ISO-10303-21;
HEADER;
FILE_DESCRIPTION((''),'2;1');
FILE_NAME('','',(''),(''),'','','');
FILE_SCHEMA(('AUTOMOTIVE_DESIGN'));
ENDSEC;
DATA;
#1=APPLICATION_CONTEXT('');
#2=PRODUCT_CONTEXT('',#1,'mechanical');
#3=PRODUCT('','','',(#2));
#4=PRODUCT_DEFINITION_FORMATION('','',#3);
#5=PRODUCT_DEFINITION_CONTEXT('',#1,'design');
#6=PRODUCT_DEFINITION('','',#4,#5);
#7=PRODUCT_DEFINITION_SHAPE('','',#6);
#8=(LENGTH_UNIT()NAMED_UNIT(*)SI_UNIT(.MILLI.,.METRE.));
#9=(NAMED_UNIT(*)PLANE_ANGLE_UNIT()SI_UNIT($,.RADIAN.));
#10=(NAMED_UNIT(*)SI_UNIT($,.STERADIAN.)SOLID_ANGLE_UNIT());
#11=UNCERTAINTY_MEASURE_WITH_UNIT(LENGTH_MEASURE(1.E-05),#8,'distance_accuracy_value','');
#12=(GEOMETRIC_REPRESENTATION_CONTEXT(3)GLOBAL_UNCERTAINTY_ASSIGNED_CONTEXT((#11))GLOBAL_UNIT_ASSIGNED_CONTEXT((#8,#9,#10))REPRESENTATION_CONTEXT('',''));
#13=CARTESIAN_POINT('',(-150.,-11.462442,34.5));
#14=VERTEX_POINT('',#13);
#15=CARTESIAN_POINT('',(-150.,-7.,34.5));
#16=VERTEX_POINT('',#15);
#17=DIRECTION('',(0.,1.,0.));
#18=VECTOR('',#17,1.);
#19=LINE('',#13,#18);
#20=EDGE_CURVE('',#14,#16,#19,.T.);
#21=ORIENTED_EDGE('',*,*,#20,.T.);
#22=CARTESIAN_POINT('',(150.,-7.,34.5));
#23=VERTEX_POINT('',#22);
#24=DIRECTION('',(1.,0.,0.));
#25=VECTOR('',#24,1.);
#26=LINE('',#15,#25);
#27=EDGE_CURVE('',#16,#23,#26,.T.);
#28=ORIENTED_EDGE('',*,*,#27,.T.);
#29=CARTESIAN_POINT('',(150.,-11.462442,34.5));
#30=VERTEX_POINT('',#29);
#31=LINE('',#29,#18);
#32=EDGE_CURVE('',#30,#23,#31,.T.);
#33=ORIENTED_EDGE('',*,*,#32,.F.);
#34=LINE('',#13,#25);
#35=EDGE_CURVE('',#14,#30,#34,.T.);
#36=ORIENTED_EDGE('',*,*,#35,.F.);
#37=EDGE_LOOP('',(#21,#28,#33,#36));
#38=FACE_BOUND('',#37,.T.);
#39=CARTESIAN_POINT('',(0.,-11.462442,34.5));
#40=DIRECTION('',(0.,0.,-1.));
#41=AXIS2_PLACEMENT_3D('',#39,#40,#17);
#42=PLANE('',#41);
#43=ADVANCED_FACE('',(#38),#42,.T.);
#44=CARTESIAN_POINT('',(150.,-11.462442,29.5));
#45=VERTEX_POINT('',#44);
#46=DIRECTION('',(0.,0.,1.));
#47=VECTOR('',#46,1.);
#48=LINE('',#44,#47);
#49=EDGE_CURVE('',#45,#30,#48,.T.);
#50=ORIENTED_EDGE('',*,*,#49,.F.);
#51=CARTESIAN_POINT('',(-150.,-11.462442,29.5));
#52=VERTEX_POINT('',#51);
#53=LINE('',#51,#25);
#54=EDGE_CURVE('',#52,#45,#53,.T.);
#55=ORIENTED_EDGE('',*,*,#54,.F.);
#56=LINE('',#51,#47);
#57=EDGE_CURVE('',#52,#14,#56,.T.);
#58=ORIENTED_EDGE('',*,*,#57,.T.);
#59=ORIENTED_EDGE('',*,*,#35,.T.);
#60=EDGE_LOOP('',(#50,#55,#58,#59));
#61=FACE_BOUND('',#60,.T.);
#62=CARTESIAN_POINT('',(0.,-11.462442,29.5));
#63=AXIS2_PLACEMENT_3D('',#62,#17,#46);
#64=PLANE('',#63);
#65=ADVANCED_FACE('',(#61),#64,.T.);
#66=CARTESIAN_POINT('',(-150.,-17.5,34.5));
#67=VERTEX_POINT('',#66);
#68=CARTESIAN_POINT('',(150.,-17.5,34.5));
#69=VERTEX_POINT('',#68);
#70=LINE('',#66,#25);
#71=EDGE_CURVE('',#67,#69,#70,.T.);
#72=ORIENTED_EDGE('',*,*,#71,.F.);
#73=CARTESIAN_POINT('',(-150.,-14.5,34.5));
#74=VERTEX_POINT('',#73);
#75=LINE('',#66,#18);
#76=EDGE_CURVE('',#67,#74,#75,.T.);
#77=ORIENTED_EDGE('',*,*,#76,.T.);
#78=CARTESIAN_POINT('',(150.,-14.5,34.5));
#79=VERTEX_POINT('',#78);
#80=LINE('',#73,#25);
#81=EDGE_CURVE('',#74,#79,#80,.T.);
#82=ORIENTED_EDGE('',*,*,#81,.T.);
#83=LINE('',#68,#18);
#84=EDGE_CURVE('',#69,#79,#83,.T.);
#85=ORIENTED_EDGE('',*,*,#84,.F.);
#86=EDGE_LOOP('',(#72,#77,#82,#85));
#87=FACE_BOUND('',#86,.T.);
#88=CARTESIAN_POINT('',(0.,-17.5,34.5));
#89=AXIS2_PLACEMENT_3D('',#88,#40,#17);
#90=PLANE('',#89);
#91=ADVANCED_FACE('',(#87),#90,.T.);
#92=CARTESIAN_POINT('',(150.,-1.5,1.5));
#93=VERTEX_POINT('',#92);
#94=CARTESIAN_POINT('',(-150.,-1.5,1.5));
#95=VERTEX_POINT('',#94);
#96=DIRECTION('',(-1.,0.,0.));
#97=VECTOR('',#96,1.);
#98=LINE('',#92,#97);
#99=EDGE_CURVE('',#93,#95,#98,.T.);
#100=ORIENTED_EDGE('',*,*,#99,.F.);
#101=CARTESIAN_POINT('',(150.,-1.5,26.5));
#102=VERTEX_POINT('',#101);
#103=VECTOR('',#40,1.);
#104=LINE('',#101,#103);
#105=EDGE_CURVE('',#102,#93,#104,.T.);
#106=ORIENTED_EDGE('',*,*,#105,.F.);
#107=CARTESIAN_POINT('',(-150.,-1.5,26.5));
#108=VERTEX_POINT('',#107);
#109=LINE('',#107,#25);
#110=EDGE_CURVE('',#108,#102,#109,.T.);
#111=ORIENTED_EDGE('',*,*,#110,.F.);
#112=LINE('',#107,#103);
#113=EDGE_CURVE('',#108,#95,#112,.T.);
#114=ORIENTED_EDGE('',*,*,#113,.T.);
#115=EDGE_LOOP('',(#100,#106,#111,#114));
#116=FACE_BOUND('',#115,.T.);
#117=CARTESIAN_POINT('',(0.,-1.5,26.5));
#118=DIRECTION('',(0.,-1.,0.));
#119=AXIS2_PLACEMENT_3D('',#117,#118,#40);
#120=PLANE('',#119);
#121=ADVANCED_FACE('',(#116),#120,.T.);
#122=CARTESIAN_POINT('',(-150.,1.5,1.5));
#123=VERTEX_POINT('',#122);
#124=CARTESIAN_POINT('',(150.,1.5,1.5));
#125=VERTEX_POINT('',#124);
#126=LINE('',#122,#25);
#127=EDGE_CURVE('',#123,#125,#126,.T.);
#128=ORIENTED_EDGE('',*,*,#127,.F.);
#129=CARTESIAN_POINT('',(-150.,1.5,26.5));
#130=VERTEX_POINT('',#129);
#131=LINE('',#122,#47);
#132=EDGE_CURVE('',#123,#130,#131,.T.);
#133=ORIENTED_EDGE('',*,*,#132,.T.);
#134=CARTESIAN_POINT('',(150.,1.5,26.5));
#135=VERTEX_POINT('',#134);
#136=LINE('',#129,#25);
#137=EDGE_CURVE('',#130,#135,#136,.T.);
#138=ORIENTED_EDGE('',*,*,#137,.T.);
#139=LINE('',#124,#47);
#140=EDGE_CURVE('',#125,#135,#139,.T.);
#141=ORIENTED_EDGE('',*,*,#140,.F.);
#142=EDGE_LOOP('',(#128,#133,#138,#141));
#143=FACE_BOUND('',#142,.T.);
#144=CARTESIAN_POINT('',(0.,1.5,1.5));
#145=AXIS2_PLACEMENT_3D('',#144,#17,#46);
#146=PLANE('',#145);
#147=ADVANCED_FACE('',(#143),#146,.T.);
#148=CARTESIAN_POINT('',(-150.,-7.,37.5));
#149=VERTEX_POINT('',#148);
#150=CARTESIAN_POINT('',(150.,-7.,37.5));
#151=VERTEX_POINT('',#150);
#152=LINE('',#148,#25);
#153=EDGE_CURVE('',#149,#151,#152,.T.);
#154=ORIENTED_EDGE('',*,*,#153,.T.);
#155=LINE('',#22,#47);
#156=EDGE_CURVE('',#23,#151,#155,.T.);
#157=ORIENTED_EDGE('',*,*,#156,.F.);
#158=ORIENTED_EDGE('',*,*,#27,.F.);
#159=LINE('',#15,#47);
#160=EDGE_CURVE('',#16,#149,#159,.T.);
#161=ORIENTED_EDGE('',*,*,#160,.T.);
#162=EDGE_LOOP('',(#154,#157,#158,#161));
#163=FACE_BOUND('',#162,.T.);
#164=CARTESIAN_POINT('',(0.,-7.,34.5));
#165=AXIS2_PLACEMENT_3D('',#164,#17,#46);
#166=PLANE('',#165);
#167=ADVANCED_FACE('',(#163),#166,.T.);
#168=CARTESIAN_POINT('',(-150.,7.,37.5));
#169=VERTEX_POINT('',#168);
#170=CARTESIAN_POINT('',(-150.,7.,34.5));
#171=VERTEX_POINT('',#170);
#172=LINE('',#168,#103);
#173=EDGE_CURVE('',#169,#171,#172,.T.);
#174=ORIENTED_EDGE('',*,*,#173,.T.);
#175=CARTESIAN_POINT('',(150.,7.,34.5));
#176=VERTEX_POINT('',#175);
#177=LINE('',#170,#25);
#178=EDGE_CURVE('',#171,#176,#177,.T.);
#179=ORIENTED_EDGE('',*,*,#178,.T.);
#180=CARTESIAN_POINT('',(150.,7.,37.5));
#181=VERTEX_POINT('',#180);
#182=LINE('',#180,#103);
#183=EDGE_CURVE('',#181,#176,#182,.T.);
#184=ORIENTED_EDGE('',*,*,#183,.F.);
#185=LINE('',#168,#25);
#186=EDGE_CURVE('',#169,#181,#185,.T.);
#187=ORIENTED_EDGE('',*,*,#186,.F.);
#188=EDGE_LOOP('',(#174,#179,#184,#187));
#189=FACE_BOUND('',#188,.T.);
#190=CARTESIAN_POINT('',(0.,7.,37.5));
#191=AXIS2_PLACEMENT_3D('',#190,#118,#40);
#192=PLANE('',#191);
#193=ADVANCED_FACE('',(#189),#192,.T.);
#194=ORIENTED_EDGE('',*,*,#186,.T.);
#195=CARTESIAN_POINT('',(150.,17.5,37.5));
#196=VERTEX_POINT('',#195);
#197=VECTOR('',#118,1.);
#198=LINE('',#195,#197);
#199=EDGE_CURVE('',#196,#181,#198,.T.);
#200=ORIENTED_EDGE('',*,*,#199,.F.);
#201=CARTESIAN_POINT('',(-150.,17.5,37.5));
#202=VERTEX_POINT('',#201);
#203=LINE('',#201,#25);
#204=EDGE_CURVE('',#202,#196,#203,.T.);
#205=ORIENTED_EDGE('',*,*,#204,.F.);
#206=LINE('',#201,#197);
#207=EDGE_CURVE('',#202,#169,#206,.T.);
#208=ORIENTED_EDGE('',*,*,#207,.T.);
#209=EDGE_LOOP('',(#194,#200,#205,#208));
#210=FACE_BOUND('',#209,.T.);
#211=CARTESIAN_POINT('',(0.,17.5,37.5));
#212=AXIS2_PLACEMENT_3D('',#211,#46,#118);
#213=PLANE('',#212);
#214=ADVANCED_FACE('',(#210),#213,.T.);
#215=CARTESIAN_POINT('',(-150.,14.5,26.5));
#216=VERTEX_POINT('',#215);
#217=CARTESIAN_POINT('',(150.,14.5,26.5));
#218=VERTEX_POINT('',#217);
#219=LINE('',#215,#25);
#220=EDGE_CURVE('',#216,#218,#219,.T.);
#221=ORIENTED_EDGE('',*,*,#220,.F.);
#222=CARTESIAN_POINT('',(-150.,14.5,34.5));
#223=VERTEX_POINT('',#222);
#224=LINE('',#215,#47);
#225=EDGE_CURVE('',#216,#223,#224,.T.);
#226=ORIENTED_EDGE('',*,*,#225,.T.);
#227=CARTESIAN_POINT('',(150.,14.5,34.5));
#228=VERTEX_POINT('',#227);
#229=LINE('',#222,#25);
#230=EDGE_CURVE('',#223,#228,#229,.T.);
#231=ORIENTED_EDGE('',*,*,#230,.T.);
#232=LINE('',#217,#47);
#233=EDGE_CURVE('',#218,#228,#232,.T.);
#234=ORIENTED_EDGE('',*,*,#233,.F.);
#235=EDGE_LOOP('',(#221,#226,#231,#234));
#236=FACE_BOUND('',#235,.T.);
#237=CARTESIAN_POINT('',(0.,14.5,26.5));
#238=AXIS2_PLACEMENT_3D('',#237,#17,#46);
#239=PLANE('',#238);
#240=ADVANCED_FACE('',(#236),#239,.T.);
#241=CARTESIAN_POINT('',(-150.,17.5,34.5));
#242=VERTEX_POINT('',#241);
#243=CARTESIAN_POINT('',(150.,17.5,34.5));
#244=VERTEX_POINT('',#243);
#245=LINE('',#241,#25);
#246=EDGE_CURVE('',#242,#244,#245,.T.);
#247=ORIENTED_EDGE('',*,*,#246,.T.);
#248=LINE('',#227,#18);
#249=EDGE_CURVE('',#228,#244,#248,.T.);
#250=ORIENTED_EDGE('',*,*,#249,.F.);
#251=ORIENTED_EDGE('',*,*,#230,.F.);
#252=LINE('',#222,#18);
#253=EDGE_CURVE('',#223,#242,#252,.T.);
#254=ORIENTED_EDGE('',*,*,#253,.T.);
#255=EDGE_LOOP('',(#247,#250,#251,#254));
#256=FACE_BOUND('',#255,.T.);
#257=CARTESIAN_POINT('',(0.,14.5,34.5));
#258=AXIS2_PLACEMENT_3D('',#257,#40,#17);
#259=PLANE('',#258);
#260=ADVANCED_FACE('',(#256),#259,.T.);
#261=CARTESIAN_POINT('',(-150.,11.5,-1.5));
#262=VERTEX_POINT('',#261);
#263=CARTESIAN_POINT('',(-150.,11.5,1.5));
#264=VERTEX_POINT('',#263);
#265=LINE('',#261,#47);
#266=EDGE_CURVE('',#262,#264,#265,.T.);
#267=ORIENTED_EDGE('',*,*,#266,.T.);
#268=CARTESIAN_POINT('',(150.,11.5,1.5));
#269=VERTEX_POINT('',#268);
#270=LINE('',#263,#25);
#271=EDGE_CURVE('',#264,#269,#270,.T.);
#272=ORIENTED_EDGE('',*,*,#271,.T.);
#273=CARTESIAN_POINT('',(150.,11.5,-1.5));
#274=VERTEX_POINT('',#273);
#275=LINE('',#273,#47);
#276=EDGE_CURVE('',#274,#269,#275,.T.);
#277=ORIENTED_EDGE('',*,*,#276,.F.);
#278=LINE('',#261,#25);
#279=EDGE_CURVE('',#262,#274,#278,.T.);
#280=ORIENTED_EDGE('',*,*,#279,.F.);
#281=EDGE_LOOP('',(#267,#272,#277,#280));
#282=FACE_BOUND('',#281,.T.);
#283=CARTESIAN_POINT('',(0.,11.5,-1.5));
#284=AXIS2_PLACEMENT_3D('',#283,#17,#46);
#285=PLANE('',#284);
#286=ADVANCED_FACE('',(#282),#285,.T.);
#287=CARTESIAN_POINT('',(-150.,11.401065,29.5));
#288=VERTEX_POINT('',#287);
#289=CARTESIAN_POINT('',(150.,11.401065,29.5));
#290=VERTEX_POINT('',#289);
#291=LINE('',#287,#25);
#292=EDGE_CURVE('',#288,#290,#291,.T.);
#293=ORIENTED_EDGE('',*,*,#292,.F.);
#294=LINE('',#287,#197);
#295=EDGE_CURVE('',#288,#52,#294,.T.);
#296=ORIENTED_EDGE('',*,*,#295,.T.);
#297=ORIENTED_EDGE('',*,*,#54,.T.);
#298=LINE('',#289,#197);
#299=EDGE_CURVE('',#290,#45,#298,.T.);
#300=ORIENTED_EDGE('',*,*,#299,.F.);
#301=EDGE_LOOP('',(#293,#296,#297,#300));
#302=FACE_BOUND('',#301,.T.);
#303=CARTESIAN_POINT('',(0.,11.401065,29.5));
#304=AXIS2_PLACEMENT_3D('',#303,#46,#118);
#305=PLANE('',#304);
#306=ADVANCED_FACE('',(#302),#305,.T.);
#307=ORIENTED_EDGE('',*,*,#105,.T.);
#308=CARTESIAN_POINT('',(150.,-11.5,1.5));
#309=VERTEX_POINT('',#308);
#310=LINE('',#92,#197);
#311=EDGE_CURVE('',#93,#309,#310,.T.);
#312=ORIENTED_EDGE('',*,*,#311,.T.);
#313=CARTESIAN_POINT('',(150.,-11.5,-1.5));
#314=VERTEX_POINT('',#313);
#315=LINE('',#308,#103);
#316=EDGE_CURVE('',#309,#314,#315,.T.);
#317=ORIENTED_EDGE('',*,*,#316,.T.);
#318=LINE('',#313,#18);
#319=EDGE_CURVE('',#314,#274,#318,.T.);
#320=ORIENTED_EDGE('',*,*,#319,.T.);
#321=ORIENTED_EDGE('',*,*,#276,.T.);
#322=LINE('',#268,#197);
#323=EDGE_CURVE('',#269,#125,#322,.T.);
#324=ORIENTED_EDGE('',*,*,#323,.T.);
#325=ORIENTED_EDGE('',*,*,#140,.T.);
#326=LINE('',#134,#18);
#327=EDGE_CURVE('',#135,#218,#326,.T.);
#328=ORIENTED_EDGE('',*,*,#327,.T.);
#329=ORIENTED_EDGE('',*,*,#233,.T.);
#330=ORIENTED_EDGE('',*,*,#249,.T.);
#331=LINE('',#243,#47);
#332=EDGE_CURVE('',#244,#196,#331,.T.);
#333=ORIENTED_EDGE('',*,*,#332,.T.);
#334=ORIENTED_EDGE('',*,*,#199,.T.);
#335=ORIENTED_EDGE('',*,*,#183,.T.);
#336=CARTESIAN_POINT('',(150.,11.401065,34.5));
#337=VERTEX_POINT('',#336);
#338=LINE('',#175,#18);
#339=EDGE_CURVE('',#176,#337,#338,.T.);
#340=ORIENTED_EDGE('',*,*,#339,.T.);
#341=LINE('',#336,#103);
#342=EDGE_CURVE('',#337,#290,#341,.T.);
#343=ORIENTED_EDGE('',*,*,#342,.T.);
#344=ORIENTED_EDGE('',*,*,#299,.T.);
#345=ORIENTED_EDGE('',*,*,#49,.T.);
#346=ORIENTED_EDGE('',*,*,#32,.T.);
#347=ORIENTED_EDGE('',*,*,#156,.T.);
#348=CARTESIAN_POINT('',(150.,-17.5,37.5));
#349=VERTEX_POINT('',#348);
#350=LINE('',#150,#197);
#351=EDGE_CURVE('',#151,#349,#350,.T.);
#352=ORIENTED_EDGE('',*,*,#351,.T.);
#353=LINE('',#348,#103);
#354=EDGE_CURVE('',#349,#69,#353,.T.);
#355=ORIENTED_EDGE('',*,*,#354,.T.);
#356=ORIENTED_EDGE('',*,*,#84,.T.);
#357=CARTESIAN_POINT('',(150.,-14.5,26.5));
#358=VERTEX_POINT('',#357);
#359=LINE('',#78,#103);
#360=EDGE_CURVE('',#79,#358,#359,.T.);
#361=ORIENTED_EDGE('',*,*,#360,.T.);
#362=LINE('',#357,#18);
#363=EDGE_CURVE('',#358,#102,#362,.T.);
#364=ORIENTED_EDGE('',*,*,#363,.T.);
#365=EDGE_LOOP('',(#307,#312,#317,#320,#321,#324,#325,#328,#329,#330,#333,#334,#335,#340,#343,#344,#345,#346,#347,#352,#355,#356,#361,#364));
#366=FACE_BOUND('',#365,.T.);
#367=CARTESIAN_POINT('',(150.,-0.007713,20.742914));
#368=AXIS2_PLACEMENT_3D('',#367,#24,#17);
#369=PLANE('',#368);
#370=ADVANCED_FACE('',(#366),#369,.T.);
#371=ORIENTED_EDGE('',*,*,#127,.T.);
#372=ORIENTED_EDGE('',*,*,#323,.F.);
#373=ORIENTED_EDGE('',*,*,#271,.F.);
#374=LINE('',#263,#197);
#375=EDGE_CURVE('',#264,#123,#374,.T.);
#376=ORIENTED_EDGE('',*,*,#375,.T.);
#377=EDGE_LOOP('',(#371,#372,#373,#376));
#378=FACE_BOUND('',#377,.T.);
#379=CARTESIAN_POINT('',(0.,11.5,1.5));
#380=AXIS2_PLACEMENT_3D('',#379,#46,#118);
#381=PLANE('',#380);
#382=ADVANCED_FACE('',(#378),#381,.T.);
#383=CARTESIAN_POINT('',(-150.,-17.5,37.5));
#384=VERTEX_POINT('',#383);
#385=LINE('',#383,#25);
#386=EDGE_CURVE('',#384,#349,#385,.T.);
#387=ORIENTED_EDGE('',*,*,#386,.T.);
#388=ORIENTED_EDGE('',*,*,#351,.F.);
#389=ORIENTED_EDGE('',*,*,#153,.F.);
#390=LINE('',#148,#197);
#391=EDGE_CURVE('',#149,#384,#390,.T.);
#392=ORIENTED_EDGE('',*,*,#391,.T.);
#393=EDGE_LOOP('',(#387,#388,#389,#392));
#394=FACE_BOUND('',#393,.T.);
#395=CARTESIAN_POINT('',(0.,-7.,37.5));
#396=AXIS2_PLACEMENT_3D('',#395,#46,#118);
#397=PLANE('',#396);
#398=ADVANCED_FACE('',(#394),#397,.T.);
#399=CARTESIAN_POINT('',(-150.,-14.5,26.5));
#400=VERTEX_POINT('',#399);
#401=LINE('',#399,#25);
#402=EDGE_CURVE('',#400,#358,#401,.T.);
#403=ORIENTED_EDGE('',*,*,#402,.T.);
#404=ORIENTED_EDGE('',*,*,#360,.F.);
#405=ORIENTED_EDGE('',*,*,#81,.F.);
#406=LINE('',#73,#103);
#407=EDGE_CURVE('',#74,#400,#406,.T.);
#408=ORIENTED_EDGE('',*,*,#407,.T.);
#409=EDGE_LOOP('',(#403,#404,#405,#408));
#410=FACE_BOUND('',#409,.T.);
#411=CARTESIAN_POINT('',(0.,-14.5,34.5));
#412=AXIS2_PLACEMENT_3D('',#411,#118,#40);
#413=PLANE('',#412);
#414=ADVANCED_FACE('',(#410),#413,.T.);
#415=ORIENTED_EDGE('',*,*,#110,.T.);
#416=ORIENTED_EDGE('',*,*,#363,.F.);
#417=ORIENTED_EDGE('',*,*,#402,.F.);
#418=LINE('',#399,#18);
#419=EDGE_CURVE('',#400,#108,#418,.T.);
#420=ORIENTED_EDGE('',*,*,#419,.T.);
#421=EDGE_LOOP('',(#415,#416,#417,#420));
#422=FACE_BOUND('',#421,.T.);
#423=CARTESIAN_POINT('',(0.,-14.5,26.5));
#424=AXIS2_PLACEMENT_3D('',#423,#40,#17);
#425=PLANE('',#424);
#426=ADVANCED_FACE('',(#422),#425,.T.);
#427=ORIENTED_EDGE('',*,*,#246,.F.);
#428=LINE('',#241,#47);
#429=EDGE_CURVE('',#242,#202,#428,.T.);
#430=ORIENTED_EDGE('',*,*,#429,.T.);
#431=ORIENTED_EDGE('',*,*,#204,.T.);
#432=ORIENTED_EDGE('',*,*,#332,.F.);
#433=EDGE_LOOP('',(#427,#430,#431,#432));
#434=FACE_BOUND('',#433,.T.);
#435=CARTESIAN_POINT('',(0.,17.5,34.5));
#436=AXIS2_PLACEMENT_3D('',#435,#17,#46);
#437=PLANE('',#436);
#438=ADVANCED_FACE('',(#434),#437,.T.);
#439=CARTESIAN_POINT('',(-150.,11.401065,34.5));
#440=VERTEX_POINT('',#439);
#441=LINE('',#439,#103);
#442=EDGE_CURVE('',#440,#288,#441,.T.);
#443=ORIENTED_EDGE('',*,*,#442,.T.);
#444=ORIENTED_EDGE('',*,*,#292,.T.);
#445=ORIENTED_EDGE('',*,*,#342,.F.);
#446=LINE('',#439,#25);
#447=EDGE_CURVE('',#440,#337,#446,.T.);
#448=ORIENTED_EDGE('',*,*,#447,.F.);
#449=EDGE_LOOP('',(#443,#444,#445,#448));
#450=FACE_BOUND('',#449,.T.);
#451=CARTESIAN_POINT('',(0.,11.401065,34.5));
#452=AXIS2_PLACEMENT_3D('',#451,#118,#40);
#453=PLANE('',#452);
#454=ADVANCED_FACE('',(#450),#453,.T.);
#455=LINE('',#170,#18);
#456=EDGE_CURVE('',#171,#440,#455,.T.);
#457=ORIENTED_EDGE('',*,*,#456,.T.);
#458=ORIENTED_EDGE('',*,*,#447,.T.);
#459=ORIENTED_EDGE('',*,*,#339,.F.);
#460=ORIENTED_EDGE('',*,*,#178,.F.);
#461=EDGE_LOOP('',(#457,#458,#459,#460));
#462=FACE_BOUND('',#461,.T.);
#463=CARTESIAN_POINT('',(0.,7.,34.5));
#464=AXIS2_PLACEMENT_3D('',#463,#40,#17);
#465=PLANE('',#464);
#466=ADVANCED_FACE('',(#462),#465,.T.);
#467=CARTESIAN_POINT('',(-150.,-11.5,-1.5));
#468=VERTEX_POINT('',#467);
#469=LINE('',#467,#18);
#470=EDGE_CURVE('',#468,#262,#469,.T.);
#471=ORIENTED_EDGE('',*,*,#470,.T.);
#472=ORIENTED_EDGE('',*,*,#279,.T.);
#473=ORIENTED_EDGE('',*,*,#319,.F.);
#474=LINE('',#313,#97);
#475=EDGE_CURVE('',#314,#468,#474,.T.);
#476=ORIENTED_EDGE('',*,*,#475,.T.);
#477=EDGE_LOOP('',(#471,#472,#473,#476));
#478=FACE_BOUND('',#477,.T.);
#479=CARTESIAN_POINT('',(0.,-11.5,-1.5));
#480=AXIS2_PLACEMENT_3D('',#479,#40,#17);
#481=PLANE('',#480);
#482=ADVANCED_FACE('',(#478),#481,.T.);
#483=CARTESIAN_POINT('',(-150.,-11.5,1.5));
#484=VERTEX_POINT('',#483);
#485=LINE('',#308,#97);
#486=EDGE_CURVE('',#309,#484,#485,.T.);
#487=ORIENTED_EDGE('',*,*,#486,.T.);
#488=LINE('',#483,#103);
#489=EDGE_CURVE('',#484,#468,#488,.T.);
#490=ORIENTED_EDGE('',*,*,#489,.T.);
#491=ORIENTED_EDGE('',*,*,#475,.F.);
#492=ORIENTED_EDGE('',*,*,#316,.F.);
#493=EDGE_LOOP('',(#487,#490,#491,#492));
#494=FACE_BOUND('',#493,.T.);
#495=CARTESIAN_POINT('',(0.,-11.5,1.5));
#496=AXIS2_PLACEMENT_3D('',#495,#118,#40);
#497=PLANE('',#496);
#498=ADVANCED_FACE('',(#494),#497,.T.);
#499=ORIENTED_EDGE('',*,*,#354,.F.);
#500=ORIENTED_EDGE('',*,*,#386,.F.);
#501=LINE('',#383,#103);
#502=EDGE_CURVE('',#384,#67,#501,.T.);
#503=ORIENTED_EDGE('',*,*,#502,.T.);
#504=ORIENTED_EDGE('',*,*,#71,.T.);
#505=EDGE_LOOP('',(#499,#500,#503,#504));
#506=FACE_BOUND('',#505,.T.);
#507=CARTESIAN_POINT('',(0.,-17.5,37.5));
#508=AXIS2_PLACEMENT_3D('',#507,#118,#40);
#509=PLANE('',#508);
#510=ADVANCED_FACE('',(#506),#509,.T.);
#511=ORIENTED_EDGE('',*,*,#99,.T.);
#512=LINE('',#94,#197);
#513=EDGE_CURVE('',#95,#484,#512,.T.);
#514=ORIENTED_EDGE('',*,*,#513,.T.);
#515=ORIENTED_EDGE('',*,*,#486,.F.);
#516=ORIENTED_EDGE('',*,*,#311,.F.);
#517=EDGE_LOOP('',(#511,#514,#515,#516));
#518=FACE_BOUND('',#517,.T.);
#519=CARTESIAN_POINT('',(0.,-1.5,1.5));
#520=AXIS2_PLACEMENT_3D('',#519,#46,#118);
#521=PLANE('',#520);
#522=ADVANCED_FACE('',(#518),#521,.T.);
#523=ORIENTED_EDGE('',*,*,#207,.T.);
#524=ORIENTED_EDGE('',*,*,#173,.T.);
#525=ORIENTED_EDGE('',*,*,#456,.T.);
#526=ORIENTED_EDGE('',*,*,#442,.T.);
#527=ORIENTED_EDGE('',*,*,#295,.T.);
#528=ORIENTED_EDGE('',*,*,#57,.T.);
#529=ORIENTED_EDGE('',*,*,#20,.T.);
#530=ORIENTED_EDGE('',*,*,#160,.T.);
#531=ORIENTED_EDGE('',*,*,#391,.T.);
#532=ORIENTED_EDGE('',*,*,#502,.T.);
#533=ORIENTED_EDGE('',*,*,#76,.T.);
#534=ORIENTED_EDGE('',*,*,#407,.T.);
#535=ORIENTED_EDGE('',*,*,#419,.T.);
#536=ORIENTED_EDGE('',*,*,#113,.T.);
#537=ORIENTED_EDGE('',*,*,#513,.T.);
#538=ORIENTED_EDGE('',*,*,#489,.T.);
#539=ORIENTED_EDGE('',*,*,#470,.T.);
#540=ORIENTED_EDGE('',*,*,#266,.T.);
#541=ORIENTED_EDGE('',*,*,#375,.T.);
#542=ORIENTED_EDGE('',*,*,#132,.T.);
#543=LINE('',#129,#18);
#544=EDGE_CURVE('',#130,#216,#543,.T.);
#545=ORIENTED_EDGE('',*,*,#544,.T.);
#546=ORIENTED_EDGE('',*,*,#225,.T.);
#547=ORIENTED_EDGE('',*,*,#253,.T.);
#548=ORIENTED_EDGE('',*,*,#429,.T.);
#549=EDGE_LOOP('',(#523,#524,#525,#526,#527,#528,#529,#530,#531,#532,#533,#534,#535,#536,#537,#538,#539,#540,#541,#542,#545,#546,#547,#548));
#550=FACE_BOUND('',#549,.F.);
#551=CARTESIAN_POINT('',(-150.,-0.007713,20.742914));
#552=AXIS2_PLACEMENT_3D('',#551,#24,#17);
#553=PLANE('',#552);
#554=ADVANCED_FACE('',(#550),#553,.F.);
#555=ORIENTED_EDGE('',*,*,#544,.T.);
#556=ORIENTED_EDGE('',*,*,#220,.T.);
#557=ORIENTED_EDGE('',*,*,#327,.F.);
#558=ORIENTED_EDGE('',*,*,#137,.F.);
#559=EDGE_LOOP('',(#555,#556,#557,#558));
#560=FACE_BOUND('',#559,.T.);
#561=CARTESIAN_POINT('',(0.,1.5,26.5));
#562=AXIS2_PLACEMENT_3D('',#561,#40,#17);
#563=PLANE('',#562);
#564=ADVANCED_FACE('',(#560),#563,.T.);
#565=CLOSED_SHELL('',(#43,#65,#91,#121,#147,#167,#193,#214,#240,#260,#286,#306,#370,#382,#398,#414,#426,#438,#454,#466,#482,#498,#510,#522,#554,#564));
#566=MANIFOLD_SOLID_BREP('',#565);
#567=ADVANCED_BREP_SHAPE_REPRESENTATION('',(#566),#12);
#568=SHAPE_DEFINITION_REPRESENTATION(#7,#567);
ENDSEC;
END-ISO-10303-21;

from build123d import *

# Parameters (mm, degrees)
F1_DEPTH      = 150
F1_DEPTH_BACK = 150


with BuildPart() as f1:
    # F0 (on Right) → F1 (new body, two sides)
    with BuildSketch(Plane.YZ) as f1_sk:
        Polygon((-11.5, -1.5), (11.5, -1.5), (11.5, 1.5), (1.5, 1.5), (1.5, 26.5), (14.5, 26.5), (14.5, 29.5), (14.5, 34.5), (17.5, 34.5), (17.5, 37.5), (11.401065, 37.5), (7, 37.5), (7, 34.5), (11.401065, 34.5), (11.401065, 29.5), (-11.462442, 29.5), (-11.462442, 34.5), (-7, 34.5), (-7, 37.5), (-11.401065, 37.5), (-11.462442, 37.5), (-17.5, 37.5), (-17.5, 34.5), (-14.5, 34.5), (-14.5, 29.5), (-14.5, 26.5), (-1.5, 26.5), (-1.5, 1.5), (-11.5, 1.5), align=None)
    extrude(amount=F1_DEPTH)
    extrude(f1_sk.sketch, amount=-F1_DEPTH_BACK)


solid = f1.part
